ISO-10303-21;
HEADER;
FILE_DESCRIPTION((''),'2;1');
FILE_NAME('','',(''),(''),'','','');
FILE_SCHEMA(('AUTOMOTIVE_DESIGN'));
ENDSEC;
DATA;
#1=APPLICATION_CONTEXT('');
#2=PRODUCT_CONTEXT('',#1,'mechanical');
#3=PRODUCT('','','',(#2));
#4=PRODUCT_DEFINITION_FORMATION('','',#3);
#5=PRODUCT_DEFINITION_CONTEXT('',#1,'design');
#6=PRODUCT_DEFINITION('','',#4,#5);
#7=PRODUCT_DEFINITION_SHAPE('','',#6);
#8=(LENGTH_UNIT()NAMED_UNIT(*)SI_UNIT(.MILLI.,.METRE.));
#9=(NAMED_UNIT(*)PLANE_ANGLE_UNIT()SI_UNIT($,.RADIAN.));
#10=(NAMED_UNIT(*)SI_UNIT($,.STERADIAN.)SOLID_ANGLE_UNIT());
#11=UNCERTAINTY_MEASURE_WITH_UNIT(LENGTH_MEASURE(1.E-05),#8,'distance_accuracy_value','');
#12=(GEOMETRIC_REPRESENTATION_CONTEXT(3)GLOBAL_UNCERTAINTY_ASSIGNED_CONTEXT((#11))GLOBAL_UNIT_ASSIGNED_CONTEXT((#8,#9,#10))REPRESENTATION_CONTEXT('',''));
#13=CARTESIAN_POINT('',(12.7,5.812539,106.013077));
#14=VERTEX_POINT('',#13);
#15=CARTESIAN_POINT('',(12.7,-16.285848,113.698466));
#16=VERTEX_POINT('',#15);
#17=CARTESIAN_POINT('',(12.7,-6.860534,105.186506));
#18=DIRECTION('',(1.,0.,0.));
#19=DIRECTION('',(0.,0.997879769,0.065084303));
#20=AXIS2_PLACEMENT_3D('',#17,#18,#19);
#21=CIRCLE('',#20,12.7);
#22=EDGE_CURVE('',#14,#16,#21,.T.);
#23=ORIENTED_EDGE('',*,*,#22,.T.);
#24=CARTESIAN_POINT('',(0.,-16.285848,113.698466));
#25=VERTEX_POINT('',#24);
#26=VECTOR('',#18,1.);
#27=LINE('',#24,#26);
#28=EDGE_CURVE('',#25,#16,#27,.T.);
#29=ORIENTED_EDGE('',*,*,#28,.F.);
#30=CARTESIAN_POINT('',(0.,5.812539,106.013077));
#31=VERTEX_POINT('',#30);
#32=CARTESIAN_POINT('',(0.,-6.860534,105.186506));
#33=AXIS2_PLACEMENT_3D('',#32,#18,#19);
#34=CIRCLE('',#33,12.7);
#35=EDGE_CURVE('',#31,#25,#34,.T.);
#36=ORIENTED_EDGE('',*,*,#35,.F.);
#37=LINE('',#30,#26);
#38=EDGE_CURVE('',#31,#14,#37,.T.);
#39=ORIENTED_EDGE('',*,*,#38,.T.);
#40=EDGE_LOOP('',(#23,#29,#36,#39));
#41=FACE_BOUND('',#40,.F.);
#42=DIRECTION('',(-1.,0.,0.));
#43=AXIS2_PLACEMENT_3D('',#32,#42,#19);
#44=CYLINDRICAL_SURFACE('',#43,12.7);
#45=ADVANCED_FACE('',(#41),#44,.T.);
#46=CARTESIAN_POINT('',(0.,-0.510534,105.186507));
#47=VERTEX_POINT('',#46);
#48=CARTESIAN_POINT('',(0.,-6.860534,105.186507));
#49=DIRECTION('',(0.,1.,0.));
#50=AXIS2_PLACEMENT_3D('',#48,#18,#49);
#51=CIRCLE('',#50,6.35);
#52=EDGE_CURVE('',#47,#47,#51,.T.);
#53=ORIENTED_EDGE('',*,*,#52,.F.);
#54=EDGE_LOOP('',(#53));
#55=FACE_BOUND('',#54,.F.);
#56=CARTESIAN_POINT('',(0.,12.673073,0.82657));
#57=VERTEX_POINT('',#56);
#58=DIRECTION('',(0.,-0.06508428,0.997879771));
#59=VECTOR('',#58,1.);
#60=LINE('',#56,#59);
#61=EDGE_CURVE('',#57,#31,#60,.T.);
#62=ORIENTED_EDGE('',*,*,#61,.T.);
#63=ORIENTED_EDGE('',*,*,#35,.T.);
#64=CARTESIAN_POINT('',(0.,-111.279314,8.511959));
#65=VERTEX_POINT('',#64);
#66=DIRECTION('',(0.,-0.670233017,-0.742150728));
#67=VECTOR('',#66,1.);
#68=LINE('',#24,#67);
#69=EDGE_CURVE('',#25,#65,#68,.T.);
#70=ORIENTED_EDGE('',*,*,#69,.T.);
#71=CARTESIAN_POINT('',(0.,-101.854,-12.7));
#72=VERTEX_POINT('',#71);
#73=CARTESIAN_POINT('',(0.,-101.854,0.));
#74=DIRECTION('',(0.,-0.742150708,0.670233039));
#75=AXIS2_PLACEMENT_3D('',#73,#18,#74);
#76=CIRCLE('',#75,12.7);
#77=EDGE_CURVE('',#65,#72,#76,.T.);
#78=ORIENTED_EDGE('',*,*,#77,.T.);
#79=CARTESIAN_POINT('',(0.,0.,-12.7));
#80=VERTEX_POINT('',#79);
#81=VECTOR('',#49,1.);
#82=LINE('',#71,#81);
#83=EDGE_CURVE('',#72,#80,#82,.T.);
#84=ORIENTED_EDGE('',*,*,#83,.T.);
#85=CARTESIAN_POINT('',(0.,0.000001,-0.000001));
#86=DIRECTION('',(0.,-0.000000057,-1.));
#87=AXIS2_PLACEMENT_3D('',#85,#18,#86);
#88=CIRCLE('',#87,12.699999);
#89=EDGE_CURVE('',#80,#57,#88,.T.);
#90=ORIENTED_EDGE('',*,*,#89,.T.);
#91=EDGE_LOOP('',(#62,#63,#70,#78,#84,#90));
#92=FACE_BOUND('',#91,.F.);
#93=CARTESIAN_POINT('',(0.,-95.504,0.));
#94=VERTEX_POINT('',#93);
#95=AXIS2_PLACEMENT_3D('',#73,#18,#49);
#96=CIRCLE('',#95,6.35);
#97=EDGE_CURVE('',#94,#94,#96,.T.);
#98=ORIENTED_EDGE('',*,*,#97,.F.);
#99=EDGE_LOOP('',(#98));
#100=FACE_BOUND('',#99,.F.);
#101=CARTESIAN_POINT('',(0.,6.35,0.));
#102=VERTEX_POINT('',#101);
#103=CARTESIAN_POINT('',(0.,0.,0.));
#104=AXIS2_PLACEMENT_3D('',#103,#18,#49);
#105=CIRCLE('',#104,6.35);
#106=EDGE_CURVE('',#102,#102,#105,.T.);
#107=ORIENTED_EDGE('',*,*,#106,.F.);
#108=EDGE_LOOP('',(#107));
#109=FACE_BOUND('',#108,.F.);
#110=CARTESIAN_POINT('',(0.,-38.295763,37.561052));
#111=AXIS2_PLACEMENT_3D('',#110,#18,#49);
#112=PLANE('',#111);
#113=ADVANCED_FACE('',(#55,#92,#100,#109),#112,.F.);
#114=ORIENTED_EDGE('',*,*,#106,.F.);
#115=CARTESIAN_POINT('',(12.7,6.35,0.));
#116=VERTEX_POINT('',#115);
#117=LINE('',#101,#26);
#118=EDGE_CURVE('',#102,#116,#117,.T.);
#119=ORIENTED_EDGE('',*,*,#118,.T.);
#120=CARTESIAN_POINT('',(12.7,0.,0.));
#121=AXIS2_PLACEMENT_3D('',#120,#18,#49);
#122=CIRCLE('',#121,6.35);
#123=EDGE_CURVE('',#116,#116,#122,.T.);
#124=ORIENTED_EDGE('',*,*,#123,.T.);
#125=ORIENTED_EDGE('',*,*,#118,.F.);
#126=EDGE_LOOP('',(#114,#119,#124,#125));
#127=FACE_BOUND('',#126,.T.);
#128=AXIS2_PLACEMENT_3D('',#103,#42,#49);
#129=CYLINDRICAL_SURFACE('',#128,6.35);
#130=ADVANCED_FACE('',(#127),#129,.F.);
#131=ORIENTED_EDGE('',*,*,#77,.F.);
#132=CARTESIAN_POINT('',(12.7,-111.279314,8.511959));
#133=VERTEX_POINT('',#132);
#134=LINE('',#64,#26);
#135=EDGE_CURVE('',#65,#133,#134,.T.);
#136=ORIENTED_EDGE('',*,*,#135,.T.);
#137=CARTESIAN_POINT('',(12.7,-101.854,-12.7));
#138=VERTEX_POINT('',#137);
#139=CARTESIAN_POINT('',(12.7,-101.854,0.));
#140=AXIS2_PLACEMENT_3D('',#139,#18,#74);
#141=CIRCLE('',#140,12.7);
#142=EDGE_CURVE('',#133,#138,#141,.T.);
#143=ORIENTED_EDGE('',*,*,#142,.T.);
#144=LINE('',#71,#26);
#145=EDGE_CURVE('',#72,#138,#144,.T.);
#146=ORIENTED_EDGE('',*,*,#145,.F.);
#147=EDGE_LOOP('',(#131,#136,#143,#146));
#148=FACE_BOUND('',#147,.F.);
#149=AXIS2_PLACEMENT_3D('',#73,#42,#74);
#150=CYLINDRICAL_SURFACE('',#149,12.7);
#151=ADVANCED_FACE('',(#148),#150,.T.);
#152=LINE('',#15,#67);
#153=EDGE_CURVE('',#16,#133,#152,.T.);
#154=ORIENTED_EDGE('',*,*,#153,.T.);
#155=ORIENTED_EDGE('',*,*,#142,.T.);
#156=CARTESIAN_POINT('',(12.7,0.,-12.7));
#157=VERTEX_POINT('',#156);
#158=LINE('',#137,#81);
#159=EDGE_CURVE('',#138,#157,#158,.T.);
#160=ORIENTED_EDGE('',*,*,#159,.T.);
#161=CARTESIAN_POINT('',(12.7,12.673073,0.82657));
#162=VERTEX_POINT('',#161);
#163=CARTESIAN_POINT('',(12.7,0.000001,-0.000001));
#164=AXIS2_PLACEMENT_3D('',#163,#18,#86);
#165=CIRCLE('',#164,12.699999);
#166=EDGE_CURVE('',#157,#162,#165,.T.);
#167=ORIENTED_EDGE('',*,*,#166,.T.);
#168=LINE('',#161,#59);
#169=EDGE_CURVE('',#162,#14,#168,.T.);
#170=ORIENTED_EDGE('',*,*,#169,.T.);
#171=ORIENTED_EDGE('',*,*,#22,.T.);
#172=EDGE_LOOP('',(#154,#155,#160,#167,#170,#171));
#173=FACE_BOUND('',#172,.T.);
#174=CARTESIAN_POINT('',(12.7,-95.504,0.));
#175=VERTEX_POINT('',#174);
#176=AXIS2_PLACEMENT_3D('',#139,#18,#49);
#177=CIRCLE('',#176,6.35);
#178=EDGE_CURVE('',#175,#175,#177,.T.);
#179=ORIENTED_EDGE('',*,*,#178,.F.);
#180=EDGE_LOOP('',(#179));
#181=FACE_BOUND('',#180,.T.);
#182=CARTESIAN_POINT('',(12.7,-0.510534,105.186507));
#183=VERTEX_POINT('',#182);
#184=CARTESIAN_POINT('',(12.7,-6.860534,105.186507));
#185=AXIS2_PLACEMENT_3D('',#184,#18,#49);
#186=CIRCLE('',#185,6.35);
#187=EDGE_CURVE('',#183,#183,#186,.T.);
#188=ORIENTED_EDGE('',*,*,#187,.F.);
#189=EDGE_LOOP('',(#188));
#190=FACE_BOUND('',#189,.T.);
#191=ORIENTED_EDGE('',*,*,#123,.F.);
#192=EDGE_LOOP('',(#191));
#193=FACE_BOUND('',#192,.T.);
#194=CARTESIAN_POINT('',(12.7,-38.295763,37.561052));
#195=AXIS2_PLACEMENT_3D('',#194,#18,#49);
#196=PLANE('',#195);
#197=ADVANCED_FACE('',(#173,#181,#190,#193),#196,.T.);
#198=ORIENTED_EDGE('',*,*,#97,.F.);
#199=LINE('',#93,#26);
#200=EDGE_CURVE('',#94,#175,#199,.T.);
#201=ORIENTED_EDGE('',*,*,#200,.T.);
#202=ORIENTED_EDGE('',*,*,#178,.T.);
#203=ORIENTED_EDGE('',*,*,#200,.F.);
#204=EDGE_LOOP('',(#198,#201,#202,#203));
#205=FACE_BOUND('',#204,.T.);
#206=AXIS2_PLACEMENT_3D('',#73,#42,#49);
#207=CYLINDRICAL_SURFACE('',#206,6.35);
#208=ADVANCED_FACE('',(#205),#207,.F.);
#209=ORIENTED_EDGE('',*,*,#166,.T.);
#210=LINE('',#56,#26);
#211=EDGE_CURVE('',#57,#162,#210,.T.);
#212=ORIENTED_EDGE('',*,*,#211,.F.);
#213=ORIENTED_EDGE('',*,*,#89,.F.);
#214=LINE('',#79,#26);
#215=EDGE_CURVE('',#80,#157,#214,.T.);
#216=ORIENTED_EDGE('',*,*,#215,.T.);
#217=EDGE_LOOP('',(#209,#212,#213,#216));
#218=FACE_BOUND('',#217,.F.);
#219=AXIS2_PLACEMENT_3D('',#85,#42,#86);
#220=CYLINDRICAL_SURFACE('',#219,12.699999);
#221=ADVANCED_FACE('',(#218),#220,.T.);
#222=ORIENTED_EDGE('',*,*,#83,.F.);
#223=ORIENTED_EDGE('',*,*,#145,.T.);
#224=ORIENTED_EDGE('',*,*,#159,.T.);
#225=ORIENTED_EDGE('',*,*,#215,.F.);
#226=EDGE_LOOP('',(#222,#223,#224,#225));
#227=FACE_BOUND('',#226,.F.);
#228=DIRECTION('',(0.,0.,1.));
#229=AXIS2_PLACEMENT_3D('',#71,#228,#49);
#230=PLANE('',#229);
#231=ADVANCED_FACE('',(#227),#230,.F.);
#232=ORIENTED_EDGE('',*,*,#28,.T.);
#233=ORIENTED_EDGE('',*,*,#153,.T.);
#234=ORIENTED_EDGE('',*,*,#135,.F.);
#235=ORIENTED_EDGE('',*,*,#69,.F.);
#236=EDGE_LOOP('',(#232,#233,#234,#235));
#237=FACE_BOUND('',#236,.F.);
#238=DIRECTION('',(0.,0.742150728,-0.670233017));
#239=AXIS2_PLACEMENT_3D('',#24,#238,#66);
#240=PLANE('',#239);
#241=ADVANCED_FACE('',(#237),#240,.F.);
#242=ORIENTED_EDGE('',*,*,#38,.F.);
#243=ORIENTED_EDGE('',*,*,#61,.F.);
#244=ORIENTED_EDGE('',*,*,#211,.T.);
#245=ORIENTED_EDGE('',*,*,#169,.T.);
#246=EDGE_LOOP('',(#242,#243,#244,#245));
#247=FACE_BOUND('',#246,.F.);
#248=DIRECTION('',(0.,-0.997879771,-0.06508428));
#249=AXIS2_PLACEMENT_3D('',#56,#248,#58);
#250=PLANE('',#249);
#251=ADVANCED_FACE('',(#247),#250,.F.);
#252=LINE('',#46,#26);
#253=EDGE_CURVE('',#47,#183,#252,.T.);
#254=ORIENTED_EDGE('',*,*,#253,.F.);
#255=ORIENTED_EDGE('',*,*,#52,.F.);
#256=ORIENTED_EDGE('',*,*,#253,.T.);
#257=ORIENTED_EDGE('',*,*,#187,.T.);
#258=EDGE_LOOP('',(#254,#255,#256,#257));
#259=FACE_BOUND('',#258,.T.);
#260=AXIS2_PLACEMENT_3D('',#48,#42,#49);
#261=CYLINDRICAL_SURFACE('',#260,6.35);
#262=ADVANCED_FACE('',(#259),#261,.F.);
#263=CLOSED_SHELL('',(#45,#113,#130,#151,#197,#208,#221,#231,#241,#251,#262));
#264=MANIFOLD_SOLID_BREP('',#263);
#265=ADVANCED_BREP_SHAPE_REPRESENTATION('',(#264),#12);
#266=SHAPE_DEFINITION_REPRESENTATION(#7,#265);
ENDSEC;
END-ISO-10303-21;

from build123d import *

# Parameters (mm, degrees)
F0_R     = 6.35
F1_DEPTH = 12.7


with BuildPart() as f1:
    # F0 (on Right) → F1 (new body)
    with BuildSketch(Plane.YZ):
        with BuildLine():
            ThreePointArc((5.812539, 106.013077), (-2.688809, 117.181785), (-16.285848, 113.698466))
            Line((-16.285848, 113.698466), (-111.279314, 8.511959))
            ThreePointArc((-111.279314, 8.511959), (-113.459858, -5.156943), (-101.854, -12.7))
            Line((-101.854, -12.7), (0, -12.7))
            ThreePointArc((0, -12.7), (9.267887, -8.683103), (12.673073, 0.82657))
            Line((12.673073, 0.82657), (5.812539, 106.013077))
        make_face()
        with Locations((-101.854, 0)):
            Circle(F0_R, mode=Mode.SUBTRACT)
        Circle(F0_R, mode=Mode.SUBTRACT)
        with Locations((-6.860534, 105.186507)):
            Circle(F0_R, mode=Mode.SUBTRACT)
    extrude(amount=F1_DEPTH)


solid = f1.part
